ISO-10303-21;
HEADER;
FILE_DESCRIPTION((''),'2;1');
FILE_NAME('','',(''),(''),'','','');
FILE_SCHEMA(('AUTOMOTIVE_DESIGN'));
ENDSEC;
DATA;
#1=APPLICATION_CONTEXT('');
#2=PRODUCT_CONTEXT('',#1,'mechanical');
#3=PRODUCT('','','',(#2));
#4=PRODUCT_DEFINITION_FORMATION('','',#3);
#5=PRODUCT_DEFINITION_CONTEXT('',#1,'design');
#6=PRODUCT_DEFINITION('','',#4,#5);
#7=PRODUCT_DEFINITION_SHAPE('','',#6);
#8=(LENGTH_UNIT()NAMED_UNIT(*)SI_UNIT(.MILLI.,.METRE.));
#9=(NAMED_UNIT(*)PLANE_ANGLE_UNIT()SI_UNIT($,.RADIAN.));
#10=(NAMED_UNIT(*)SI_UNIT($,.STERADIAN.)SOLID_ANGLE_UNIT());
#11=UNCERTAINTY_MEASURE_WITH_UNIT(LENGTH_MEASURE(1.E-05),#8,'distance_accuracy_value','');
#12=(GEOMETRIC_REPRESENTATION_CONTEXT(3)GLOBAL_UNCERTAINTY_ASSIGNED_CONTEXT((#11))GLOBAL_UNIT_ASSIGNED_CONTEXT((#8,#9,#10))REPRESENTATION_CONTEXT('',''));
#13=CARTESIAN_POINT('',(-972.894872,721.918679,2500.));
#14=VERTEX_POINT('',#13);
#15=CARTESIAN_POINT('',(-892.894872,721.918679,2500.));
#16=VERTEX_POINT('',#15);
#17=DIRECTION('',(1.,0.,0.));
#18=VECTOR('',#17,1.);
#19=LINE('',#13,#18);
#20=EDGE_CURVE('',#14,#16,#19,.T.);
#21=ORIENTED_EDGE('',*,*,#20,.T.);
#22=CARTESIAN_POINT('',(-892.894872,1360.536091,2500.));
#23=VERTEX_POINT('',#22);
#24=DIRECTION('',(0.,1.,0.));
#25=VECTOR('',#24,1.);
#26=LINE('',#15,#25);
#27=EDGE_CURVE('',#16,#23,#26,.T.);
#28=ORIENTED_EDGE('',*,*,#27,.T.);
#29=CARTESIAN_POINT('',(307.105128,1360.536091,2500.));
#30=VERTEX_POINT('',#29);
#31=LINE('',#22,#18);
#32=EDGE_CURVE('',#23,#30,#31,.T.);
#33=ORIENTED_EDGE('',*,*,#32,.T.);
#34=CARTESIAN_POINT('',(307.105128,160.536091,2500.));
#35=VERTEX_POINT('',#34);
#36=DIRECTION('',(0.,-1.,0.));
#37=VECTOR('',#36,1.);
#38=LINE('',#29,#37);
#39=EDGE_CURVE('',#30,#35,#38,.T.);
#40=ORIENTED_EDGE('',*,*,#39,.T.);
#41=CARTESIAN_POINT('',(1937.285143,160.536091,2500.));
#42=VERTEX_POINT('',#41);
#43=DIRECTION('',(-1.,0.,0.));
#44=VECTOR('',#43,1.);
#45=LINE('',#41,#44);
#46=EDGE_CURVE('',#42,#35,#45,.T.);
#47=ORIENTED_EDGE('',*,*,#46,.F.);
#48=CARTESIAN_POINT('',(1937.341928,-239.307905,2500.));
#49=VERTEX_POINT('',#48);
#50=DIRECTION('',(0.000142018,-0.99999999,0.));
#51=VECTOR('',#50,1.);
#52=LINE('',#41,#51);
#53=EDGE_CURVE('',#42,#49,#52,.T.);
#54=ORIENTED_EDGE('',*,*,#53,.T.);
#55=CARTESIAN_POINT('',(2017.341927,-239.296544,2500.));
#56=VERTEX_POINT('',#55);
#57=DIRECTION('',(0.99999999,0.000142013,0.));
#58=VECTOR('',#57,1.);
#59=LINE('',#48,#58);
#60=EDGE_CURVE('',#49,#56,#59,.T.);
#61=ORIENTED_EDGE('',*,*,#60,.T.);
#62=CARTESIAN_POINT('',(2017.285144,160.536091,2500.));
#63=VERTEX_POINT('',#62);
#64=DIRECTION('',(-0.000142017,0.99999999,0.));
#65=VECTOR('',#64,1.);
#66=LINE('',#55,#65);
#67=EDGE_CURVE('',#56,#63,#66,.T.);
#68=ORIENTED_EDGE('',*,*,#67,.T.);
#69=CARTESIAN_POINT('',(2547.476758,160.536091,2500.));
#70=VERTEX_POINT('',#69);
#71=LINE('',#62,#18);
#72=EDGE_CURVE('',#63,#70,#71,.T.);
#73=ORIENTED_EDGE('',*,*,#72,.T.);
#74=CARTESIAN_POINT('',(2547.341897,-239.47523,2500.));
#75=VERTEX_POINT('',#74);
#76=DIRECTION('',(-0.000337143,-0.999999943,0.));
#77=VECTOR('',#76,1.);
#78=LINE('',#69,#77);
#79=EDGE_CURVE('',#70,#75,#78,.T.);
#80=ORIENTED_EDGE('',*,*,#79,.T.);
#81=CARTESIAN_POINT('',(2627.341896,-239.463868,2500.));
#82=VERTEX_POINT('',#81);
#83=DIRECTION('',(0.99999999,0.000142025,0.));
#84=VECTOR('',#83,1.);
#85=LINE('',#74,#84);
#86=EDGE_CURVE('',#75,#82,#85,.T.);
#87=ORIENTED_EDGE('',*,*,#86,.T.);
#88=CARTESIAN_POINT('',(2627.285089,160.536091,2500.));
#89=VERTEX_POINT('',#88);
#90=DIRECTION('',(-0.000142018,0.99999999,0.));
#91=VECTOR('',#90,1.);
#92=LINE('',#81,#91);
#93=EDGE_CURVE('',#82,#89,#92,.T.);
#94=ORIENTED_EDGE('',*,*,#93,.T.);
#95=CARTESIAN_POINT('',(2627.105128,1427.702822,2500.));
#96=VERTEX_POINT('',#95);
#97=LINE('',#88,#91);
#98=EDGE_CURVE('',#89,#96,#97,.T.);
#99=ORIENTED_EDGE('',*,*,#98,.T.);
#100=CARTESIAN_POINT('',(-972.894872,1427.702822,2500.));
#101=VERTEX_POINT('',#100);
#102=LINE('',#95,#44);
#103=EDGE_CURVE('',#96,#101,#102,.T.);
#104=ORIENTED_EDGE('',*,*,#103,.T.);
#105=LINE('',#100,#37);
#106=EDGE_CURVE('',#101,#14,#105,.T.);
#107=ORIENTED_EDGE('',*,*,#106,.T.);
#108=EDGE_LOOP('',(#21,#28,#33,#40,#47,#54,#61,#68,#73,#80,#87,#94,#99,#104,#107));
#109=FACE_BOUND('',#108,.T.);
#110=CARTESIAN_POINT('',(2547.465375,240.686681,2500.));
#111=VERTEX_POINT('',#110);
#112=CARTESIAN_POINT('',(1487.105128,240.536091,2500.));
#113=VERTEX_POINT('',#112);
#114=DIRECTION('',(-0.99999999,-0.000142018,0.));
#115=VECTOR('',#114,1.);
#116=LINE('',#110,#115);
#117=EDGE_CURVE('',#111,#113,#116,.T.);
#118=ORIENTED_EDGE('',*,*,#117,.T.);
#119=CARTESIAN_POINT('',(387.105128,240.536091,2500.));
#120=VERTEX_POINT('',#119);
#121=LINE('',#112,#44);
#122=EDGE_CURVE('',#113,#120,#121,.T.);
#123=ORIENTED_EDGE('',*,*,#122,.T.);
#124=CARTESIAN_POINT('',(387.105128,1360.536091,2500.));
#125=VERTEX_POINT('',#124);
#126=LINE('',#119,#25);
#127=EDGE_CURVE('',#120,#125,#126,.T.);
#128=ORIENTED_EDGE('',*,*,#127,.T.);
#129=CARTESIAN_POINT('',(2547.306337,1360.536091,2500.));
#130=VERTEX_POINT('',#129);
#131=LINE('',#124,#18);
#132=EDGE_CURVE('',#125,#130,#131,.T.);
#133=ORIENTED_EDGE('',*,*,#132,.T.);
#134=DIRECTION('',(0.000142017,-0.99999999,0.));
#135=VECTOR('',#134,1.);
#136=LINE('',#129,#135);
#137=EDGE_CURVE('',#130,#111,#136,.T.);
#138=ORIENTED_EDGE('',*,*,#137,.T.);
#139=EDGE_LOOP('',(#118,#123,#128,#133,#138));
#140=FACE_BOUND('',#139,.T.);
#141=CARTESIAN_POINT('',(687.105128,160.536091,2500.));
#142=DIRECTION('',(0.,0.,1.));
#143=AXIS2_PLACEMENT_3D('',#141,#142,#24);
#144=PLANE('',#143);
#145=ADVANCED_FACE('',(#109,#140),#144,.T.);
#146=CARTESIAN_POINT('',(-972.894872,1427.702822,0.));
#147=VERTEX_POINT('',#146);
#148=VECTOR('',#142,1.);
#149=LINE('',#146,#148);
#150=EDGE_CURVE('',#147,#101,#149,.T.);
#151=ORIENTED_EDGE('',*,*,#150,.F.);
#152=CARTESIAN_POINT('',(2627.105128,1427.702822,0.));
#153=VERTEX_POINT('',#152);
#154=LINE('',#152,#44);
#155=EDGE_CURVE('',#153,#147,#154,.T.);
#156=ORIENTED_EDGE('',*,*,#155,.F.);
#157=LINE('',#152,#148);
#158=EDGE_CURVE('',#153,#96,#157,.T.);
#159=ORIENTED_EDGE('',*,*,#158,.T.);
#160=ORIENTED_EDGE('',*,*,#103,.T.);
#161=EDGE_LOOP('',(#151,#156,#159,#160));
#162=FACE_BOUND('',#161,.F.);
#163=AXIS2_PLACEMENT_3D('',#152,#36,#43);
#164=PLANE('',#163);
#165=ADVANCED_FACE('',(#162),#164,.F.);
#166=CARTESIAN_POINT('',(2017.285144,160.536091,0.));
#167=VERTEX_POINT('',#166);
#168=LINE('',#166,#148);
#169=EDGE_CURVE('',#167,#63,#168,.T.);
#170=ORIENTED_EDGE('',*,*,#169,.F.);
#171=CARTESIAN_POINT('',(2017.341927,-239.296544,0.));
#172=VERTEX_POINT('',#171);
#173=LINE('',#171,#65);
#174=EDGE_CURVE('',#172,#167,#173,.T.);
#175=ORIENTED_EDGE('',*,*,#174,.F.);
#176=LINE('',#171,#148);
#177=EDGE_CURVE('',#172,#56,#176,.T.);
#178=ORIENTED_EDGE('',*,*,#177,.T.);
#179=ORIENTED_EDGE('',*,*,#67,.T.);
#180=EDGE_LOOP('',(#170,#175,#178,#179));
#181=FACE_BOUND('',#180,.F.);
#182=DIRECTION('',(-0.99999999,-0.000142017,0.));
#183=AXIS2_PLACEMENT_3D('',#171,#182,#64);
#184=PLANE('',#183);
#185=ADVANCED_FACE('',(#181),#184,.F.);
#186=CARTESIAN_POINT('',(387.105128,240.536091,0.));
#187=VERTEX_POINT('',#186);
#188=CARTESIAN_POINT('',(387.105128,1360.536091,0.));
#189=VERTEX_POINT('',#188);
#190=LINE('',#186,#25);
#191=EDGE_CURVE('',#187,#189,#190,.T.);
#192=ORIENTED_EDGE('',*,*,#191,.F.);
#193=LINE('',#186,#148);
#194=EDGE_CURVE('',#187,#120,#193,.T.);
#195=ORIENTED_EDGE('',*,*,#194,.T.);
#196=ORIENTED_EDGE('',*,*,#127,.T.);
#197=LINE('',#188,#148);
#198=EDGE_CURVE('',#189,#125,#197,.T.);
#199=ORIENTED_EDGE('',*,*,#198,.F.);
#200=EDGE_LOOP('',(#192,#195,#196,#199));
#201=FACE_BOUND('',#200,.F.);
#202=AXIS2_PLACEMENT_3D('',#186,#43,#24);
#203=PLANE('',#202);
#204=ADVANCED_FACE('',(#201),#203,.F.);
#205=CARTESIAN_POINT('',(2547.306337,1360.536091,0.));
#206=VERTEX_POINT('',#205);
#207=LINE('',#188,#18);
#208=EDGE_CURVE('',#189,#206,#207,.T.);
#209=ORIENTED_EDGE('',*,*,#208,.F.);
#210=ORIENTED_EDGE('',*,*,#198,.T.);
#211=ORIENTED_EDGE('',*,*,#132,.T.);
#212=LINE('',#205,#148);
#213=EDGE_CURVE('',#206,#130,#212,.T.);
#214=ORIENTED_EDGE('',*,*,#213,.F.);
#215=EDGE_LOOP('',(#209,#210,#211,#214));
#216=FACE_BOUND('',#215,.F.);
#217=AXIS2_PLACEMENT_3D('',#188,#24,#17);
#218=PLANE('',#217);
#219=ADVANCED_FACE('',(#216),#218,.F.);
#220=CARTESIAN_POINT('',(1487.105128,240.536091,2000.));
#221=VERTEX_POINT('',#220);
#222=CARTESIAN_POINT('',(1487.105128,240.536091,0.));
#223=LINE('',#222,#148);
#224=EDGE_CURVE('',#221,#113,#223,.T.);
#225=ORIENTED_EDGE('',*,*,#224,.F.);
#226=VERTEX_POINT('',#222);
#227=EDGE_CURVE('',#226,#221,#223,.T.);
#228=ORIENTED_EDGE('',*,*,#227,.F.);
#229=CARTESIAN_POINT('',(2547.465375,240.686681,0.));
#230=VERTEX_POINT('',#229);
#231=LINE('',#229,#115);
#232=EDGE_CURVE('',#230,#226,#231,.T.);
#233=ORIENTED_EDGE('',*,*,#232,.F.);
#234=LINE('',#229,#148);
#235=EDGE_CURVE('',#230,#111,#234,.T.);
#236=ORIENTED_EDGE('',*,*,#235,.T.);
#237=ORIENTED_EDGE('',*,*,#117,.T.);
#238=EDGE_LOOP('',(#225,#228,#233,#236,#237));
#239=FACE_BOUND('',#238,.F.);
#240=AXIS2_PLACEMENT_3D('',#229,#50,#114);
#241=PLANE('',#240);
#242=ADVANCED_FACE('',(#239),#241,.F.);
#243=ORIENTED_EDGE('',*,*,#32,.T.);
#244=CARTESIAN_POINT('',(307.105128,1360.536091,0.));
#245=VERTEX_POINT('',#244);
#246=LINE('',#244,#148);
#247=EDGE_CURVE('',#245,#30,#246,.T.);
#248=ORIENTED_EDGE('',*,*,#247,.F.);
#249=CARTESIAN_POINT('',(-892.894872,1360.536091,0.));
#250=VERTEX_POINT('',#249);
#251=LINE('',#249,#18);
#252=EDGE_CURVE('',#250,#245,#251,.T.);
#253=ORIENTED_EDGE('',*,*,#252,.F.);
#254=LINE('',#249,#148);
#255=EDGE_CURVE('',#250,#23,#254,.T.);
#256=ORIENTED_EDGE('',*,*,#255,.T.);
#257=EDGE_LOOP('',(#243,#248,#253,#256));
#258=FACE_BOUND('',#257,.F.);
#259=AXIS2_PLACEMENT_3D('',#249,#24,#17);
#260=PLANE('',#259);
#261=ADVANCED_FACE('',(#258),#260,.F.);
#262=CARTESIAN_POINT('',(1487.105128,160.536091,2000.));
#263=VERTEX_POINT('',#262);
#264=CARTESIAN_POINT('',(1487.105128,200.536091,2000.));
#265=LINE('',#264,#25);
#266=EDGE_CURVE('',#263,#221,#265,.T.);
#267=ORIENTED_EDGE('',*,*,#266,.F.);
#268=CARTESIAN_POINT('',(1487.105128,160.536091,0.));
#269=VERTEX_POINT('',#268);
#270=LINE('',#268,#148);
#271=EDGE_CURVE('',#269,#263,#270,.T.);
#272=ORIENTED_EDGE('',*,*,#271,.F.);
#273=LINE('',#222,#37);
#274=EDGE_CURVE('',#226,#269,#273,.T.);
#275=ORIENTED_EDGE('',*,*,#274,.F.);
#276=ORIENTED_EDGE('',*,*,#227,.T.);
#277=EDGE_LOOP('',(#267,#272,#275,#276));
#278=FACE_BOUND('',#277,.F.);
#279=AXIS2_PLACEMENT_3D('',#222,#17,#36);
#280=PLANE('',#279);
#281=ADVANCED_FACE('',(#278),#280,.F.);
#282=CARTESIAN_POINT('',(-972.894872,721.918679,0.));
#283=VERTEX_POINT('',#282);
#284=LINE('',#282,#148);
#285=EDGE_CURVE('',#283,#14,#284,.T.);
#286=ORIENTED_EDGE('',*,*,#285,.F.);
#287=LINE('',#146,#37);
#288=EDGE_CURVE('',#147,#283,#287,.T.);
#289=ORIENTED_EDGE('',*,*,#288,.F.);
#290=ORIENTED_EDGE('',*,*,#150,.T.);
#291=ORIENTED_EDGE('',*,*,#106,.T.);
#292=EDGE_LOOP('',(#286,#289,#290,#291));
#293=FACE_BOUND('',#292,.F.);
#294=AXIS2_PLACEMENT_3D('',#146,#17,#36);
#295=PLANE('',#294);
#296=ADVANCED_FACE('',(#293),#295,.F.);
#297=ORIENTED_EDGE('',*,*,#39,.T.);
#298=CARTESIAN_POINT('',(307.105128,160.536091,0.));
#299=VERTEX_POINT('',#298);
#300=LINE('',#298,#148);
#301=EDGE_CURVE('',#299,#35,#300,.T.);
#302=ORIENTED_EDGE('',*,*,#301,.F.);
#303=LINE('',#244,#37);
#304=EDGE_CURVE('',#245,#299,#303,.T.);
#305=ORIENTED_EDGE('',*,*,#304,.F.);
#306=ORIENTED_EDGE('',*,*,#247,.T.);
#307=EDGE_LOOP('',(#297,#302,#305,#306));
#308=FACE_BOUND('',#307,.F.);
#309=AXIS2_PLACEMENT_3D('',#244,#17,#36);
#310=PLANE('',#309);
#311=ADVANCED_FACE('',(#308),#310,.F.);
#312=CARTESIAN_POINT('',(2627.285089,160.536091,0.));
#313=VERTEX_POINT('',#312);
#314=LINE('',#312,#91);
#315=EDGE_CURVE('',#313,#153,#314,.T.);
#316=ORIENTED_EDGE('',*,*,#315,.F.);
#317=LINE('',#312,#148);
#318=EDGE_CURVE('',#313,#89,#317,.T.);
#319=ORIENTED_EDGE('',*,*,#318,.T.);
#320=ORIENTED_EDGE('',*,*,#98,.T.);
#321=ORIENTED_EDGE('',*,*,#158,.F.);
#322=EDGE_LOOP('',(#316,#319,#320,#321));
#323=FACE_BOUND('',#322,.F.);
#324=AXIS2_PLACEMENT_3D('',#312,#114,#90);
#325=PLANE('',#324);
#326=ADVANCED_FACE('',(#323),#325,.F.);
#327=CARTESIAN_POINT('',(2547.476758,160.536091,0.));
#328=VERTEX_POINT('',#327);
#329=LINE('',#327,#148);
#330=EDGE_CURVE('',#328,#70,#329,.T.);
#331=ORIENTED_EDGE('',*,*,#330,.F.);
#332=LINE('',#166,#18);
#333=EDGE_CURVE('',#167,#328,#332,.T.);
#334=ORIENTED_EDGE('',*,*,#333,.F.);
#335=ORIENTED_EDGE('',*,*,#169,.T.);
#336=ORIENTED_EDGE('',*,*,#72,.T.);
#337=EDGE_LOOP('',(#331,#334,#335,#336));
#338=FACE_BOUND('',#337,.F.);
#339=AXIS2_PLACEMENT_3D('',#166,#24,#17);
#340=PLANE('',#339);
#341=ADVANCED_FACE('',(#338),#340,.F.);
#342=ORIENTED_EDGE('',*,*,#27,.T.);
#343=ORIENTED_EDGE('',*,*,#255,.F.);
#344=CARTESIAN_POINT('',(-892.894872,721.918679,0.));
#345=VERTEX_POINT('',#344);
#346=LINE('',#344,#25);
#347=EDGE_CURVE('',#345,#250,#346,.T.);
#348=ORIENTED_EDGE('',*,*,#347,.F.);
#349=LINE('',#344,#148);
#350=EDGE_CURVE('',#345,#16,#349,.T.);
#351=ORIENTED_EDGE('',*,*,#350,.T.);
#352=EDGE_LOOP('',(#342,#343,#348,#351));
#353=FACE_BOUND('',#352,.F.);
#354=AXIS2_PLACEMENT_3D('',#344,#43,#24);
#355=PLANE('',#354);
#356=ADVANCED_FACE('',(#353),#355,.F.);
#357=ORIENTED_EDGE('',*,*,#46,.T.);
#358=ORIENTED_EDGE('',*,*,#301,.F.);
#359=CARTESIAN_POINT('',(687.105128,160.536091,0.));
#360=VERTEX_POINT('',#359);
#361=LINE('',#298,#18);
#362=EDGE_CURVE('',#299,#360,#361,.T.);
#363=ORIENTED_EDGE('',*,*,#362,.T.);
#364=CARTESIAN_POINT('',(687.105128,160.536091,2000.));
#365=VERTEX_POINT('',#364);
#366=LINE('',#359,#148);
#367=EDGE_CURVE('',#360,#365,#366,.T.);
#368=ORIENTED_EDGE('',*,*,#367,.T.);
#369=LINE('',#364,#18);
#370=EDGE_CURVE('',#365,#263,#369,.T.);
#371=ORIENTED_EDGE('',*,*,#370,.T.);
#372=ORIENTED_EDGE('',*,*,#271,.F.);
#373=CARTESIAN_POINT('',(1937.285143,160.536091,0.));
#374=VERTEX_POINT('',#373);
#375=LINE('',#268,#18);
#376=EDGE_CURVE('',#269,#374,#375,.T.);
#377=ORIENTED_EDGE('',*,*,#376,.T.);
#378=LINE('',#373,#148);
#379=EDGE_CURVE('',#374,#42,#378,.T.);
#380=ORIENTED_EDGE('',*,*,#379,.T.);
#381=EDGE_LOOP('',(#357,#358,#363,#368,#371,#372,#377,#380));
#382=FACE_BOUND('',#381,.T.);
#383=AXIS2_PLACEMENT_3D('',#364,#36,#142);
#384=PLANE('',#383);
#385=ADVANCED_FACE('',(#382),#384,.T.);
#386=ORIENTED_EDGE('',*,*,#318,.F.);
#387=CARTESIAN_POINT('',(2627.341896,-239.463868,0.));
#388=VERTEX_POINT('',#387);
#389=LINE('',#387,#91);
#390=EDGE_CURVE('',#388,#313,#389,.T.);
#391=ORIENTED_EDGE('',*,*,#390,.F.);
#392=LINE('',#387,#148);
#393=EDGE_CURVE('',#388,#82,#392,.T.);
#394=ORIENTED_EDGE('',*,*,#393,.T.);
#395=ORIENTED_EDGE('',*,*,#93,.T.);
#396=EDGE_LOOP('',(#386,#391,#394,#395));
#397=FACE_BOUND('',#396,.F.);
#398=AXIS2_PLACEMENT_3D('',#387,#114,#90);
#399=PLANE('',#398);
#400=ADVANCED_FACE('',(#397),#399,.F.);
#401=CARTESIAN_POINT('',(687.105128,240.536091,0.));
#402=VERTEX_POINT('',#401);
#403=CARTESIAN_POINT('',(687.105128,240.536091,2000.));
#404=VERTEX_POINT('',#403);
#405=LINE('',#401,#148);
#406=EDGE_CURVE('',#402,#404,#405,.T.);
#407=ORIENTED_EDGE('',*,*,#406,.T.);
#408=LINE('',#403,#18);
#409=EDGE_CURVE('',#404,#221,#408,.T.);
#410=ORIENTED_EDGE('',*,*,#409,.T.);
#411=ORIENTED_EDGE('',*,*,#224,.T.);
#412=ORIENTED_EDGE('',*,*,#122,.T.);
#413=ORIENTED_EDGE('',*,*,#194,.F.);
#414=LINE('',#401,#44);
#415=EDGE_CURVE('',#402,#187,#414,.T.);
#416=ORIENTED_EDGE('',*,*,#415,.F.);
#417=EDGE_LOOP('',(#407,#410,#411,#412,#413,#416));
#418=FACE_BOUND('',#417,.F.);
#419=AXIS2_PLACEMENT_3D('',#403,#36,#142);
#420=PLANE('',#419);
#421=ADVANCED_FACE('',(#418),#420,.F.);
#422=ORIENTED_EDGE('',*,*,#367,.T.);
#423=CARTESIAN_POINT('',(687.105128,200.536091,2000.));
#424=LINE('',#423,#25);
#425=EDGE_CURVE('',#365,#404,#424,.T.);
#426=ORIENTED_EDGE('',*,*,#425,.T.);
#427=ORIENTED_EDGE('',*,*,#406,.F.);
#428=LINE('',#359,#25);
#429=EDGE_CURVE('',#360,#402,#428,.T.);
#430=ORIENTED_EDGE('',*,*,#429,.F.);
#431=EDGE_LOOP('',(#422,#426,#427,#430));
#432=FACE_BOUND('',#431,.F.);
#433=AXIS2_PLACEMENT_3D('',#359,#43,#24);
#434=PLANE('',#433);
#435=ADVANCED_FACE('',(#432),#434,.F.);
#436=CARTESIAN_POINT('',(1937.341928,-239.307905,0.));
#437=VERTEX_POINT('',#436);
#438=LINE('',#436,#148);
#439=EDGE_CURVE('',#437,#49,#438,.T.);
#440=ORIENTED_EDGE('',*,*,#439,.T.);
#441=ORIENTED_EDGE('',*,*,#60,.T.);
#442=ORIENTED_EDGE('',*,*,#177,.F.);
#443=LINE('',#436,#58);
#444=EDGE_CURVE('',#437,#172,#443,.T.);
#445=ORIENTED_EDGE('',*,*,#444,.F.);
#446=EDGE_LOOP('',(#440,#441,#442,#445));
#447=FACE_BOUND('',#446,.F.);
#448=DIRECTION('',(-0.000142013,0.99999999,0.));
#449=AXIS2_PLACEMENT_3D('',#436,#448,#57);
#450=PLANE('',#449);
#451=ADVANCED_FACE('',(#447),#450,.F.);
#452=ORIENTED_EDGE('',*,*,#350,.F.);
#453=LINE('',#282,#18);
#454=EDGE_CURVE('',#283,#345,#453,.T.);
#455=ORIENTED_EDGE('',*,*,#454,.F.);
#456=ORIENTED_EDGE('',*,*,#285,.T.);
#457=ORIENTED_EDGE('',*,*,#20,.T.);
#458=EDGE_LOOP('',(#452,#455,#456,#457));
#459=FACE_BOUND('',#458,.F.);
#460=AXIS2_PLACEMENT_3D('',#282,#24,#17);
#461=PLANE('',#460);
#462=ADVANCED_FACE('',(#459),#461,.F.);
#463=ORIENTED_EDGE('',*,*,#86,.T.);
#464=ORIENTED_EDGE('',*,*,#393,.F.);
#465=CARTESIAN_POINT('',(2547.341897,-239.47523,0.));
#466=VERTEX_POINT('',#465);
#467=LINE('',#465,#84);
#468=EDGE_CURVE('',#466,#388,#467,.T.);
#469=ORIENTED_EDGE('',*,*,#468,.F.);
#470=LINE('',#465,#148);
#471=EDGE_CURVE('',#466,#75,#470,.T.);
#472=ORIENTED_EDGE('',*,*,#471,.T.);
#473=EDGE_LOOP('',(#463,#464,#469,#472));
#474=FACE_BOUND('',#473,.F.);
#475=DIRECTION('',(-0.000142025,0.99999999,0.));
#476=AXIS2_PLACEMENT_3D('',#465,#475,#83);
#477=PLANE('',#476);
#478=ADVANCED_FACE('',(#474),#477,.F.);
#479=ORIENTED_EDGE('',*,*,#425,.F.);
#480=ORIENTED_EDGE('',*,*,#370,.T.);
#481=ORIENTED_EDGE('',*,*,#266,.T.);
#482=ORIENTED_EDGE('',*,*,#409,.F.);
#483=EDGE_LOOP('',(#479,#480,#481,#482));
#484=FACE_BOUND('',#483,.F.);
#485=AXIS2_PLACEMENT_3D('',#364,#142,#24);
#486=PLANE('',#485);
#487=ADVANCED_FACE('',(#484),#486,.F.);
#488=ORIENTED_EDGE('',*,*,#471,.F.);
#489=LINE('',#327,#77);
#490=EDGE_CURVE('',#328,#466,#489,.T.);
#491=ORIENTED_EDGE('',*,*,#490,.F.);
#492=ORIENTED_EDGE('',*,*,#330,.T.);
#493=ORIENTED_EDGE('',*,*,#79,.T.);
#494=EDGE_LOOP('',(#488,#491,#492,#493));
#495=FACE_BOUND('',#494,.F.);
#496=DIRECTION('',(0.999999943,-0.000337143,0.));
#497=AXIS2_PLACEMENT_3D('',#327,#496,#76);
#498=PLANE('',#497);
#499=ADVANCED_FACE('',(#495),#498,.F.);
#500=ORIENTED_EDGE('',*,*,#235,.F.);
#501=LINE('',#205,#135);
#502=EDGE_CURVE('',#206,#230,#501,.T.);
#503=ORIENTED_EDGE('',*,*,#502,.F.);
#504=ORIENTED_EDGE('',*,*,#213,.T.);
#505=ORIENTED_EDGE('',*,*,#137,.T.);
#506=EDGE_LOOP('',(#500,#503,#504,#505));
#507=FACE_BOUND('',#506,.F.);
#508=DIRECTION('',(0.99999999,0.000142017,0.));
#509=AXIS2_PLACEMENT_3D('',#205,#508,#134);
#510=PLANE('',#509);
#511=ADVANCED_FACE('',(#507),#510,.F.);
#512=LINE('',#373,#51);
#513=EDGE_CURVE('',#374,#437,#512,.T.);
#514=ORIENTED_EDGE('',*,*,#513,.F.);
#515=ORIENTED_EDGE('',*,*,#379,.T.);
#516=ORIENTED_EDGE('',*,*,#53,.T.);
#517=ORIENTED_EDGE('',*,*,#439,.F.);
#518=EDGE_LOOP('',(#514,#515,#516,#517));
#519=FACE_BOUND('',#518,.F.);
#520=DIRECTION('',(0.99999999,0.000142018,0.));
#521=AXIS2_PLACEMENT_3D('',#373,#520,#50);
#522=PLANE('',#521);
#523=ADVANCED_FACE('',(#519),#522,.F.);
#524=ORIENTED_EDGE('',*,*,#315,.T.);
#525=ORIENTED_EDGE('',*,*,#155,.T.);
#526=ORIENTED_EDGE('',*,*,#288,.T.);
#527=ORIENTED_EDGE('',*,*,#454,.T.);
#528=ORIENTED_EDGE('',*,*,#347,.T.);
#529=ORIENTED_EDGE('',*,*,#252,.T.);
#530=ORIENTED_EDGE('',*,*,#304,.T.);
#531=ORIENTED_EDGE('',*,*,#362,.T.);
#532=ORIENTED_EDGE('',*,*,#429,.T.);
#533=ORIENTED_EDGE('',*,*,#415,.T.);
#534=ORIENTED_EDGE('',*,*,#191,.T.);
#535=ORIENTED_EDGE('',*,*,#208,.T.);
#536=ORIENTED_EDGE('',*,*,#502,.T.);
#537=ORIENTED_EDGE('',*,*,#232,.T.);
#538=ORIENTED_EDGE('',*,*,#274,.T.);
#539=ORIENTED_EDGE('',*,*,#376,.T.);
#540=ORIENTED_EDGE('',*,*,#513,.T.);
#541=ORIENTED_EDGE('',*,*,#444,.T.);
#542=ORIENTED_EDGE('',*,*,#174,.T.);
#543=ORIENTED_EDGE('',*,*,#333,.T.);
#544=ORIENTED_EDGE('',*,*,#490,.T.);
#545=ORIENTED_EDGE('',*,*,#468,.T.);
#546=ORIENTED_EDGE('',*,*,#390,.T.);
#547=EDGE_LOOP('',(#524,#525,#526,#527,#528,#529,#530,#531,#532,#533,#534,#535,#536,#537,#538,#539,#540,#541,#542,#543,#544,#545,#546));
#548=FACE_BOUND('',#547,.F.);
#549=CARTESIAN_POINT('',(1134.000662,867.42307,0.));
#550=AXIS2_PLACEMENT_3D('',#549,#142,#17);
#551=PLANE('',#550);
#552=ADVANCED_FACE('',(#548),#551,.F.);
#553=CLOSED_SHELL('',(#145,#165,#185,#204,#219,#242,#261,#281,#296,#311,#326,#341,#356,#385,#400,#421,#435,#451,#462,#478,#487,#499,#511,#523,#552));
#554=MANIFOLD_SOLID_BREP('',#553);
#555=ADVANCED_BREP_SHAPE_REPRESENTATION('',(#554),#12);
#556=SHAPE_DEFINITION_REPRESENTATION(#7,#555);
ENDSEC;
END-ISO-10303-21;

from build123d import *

# Parameters (mm, degrees)
F1_DEPTH = 2500
F2_W     = 80
F2_H     = 500
F3_DEPTH = 800


with BuildPart() as f1:
    # F0 (on Top) → F1 (new body)
    with BuildSketch(Plane.XY):
        Polygon((-972.894872, 721.918679), (-892.894872, 721.918679), (-892.894872, 1360.536091), (307.105128, 1360.536091), (307.105128, 160.536091), (687.105128, 160.536091), (687.105128, 240.536091), (387.105128, 240.536091), (387.105128, 1360.536091), (2547.306337, 1360.536091), (2547.465375, 240.686681), (1487.105128, 240.536091), (1487.105128, 160.536091), (1937.285143, 160.536091), (1937.341928, -239.307905), (2017.341927, -239.296544), (2017.285144, 160.536091), (2547.476758, 160.536091), (2547.341897, -239.47523), (2627.341896, -239.463868), (2627.285089, 160.536091), (2627.105128, 1427.702822), (-972.894872, 1427.702822), align=None)
    extrude(amount=F1_DEPTH)

    # F2 (on face) → F3 (join)
    with BuildSketch(Plane.YZ.offset(687.105128)):
        with Locations((200.536091, 2250)):
            Rectangle(F2_W, F2_H)
    extrude(amount=F3_DEPTH)


solid = f1.part
